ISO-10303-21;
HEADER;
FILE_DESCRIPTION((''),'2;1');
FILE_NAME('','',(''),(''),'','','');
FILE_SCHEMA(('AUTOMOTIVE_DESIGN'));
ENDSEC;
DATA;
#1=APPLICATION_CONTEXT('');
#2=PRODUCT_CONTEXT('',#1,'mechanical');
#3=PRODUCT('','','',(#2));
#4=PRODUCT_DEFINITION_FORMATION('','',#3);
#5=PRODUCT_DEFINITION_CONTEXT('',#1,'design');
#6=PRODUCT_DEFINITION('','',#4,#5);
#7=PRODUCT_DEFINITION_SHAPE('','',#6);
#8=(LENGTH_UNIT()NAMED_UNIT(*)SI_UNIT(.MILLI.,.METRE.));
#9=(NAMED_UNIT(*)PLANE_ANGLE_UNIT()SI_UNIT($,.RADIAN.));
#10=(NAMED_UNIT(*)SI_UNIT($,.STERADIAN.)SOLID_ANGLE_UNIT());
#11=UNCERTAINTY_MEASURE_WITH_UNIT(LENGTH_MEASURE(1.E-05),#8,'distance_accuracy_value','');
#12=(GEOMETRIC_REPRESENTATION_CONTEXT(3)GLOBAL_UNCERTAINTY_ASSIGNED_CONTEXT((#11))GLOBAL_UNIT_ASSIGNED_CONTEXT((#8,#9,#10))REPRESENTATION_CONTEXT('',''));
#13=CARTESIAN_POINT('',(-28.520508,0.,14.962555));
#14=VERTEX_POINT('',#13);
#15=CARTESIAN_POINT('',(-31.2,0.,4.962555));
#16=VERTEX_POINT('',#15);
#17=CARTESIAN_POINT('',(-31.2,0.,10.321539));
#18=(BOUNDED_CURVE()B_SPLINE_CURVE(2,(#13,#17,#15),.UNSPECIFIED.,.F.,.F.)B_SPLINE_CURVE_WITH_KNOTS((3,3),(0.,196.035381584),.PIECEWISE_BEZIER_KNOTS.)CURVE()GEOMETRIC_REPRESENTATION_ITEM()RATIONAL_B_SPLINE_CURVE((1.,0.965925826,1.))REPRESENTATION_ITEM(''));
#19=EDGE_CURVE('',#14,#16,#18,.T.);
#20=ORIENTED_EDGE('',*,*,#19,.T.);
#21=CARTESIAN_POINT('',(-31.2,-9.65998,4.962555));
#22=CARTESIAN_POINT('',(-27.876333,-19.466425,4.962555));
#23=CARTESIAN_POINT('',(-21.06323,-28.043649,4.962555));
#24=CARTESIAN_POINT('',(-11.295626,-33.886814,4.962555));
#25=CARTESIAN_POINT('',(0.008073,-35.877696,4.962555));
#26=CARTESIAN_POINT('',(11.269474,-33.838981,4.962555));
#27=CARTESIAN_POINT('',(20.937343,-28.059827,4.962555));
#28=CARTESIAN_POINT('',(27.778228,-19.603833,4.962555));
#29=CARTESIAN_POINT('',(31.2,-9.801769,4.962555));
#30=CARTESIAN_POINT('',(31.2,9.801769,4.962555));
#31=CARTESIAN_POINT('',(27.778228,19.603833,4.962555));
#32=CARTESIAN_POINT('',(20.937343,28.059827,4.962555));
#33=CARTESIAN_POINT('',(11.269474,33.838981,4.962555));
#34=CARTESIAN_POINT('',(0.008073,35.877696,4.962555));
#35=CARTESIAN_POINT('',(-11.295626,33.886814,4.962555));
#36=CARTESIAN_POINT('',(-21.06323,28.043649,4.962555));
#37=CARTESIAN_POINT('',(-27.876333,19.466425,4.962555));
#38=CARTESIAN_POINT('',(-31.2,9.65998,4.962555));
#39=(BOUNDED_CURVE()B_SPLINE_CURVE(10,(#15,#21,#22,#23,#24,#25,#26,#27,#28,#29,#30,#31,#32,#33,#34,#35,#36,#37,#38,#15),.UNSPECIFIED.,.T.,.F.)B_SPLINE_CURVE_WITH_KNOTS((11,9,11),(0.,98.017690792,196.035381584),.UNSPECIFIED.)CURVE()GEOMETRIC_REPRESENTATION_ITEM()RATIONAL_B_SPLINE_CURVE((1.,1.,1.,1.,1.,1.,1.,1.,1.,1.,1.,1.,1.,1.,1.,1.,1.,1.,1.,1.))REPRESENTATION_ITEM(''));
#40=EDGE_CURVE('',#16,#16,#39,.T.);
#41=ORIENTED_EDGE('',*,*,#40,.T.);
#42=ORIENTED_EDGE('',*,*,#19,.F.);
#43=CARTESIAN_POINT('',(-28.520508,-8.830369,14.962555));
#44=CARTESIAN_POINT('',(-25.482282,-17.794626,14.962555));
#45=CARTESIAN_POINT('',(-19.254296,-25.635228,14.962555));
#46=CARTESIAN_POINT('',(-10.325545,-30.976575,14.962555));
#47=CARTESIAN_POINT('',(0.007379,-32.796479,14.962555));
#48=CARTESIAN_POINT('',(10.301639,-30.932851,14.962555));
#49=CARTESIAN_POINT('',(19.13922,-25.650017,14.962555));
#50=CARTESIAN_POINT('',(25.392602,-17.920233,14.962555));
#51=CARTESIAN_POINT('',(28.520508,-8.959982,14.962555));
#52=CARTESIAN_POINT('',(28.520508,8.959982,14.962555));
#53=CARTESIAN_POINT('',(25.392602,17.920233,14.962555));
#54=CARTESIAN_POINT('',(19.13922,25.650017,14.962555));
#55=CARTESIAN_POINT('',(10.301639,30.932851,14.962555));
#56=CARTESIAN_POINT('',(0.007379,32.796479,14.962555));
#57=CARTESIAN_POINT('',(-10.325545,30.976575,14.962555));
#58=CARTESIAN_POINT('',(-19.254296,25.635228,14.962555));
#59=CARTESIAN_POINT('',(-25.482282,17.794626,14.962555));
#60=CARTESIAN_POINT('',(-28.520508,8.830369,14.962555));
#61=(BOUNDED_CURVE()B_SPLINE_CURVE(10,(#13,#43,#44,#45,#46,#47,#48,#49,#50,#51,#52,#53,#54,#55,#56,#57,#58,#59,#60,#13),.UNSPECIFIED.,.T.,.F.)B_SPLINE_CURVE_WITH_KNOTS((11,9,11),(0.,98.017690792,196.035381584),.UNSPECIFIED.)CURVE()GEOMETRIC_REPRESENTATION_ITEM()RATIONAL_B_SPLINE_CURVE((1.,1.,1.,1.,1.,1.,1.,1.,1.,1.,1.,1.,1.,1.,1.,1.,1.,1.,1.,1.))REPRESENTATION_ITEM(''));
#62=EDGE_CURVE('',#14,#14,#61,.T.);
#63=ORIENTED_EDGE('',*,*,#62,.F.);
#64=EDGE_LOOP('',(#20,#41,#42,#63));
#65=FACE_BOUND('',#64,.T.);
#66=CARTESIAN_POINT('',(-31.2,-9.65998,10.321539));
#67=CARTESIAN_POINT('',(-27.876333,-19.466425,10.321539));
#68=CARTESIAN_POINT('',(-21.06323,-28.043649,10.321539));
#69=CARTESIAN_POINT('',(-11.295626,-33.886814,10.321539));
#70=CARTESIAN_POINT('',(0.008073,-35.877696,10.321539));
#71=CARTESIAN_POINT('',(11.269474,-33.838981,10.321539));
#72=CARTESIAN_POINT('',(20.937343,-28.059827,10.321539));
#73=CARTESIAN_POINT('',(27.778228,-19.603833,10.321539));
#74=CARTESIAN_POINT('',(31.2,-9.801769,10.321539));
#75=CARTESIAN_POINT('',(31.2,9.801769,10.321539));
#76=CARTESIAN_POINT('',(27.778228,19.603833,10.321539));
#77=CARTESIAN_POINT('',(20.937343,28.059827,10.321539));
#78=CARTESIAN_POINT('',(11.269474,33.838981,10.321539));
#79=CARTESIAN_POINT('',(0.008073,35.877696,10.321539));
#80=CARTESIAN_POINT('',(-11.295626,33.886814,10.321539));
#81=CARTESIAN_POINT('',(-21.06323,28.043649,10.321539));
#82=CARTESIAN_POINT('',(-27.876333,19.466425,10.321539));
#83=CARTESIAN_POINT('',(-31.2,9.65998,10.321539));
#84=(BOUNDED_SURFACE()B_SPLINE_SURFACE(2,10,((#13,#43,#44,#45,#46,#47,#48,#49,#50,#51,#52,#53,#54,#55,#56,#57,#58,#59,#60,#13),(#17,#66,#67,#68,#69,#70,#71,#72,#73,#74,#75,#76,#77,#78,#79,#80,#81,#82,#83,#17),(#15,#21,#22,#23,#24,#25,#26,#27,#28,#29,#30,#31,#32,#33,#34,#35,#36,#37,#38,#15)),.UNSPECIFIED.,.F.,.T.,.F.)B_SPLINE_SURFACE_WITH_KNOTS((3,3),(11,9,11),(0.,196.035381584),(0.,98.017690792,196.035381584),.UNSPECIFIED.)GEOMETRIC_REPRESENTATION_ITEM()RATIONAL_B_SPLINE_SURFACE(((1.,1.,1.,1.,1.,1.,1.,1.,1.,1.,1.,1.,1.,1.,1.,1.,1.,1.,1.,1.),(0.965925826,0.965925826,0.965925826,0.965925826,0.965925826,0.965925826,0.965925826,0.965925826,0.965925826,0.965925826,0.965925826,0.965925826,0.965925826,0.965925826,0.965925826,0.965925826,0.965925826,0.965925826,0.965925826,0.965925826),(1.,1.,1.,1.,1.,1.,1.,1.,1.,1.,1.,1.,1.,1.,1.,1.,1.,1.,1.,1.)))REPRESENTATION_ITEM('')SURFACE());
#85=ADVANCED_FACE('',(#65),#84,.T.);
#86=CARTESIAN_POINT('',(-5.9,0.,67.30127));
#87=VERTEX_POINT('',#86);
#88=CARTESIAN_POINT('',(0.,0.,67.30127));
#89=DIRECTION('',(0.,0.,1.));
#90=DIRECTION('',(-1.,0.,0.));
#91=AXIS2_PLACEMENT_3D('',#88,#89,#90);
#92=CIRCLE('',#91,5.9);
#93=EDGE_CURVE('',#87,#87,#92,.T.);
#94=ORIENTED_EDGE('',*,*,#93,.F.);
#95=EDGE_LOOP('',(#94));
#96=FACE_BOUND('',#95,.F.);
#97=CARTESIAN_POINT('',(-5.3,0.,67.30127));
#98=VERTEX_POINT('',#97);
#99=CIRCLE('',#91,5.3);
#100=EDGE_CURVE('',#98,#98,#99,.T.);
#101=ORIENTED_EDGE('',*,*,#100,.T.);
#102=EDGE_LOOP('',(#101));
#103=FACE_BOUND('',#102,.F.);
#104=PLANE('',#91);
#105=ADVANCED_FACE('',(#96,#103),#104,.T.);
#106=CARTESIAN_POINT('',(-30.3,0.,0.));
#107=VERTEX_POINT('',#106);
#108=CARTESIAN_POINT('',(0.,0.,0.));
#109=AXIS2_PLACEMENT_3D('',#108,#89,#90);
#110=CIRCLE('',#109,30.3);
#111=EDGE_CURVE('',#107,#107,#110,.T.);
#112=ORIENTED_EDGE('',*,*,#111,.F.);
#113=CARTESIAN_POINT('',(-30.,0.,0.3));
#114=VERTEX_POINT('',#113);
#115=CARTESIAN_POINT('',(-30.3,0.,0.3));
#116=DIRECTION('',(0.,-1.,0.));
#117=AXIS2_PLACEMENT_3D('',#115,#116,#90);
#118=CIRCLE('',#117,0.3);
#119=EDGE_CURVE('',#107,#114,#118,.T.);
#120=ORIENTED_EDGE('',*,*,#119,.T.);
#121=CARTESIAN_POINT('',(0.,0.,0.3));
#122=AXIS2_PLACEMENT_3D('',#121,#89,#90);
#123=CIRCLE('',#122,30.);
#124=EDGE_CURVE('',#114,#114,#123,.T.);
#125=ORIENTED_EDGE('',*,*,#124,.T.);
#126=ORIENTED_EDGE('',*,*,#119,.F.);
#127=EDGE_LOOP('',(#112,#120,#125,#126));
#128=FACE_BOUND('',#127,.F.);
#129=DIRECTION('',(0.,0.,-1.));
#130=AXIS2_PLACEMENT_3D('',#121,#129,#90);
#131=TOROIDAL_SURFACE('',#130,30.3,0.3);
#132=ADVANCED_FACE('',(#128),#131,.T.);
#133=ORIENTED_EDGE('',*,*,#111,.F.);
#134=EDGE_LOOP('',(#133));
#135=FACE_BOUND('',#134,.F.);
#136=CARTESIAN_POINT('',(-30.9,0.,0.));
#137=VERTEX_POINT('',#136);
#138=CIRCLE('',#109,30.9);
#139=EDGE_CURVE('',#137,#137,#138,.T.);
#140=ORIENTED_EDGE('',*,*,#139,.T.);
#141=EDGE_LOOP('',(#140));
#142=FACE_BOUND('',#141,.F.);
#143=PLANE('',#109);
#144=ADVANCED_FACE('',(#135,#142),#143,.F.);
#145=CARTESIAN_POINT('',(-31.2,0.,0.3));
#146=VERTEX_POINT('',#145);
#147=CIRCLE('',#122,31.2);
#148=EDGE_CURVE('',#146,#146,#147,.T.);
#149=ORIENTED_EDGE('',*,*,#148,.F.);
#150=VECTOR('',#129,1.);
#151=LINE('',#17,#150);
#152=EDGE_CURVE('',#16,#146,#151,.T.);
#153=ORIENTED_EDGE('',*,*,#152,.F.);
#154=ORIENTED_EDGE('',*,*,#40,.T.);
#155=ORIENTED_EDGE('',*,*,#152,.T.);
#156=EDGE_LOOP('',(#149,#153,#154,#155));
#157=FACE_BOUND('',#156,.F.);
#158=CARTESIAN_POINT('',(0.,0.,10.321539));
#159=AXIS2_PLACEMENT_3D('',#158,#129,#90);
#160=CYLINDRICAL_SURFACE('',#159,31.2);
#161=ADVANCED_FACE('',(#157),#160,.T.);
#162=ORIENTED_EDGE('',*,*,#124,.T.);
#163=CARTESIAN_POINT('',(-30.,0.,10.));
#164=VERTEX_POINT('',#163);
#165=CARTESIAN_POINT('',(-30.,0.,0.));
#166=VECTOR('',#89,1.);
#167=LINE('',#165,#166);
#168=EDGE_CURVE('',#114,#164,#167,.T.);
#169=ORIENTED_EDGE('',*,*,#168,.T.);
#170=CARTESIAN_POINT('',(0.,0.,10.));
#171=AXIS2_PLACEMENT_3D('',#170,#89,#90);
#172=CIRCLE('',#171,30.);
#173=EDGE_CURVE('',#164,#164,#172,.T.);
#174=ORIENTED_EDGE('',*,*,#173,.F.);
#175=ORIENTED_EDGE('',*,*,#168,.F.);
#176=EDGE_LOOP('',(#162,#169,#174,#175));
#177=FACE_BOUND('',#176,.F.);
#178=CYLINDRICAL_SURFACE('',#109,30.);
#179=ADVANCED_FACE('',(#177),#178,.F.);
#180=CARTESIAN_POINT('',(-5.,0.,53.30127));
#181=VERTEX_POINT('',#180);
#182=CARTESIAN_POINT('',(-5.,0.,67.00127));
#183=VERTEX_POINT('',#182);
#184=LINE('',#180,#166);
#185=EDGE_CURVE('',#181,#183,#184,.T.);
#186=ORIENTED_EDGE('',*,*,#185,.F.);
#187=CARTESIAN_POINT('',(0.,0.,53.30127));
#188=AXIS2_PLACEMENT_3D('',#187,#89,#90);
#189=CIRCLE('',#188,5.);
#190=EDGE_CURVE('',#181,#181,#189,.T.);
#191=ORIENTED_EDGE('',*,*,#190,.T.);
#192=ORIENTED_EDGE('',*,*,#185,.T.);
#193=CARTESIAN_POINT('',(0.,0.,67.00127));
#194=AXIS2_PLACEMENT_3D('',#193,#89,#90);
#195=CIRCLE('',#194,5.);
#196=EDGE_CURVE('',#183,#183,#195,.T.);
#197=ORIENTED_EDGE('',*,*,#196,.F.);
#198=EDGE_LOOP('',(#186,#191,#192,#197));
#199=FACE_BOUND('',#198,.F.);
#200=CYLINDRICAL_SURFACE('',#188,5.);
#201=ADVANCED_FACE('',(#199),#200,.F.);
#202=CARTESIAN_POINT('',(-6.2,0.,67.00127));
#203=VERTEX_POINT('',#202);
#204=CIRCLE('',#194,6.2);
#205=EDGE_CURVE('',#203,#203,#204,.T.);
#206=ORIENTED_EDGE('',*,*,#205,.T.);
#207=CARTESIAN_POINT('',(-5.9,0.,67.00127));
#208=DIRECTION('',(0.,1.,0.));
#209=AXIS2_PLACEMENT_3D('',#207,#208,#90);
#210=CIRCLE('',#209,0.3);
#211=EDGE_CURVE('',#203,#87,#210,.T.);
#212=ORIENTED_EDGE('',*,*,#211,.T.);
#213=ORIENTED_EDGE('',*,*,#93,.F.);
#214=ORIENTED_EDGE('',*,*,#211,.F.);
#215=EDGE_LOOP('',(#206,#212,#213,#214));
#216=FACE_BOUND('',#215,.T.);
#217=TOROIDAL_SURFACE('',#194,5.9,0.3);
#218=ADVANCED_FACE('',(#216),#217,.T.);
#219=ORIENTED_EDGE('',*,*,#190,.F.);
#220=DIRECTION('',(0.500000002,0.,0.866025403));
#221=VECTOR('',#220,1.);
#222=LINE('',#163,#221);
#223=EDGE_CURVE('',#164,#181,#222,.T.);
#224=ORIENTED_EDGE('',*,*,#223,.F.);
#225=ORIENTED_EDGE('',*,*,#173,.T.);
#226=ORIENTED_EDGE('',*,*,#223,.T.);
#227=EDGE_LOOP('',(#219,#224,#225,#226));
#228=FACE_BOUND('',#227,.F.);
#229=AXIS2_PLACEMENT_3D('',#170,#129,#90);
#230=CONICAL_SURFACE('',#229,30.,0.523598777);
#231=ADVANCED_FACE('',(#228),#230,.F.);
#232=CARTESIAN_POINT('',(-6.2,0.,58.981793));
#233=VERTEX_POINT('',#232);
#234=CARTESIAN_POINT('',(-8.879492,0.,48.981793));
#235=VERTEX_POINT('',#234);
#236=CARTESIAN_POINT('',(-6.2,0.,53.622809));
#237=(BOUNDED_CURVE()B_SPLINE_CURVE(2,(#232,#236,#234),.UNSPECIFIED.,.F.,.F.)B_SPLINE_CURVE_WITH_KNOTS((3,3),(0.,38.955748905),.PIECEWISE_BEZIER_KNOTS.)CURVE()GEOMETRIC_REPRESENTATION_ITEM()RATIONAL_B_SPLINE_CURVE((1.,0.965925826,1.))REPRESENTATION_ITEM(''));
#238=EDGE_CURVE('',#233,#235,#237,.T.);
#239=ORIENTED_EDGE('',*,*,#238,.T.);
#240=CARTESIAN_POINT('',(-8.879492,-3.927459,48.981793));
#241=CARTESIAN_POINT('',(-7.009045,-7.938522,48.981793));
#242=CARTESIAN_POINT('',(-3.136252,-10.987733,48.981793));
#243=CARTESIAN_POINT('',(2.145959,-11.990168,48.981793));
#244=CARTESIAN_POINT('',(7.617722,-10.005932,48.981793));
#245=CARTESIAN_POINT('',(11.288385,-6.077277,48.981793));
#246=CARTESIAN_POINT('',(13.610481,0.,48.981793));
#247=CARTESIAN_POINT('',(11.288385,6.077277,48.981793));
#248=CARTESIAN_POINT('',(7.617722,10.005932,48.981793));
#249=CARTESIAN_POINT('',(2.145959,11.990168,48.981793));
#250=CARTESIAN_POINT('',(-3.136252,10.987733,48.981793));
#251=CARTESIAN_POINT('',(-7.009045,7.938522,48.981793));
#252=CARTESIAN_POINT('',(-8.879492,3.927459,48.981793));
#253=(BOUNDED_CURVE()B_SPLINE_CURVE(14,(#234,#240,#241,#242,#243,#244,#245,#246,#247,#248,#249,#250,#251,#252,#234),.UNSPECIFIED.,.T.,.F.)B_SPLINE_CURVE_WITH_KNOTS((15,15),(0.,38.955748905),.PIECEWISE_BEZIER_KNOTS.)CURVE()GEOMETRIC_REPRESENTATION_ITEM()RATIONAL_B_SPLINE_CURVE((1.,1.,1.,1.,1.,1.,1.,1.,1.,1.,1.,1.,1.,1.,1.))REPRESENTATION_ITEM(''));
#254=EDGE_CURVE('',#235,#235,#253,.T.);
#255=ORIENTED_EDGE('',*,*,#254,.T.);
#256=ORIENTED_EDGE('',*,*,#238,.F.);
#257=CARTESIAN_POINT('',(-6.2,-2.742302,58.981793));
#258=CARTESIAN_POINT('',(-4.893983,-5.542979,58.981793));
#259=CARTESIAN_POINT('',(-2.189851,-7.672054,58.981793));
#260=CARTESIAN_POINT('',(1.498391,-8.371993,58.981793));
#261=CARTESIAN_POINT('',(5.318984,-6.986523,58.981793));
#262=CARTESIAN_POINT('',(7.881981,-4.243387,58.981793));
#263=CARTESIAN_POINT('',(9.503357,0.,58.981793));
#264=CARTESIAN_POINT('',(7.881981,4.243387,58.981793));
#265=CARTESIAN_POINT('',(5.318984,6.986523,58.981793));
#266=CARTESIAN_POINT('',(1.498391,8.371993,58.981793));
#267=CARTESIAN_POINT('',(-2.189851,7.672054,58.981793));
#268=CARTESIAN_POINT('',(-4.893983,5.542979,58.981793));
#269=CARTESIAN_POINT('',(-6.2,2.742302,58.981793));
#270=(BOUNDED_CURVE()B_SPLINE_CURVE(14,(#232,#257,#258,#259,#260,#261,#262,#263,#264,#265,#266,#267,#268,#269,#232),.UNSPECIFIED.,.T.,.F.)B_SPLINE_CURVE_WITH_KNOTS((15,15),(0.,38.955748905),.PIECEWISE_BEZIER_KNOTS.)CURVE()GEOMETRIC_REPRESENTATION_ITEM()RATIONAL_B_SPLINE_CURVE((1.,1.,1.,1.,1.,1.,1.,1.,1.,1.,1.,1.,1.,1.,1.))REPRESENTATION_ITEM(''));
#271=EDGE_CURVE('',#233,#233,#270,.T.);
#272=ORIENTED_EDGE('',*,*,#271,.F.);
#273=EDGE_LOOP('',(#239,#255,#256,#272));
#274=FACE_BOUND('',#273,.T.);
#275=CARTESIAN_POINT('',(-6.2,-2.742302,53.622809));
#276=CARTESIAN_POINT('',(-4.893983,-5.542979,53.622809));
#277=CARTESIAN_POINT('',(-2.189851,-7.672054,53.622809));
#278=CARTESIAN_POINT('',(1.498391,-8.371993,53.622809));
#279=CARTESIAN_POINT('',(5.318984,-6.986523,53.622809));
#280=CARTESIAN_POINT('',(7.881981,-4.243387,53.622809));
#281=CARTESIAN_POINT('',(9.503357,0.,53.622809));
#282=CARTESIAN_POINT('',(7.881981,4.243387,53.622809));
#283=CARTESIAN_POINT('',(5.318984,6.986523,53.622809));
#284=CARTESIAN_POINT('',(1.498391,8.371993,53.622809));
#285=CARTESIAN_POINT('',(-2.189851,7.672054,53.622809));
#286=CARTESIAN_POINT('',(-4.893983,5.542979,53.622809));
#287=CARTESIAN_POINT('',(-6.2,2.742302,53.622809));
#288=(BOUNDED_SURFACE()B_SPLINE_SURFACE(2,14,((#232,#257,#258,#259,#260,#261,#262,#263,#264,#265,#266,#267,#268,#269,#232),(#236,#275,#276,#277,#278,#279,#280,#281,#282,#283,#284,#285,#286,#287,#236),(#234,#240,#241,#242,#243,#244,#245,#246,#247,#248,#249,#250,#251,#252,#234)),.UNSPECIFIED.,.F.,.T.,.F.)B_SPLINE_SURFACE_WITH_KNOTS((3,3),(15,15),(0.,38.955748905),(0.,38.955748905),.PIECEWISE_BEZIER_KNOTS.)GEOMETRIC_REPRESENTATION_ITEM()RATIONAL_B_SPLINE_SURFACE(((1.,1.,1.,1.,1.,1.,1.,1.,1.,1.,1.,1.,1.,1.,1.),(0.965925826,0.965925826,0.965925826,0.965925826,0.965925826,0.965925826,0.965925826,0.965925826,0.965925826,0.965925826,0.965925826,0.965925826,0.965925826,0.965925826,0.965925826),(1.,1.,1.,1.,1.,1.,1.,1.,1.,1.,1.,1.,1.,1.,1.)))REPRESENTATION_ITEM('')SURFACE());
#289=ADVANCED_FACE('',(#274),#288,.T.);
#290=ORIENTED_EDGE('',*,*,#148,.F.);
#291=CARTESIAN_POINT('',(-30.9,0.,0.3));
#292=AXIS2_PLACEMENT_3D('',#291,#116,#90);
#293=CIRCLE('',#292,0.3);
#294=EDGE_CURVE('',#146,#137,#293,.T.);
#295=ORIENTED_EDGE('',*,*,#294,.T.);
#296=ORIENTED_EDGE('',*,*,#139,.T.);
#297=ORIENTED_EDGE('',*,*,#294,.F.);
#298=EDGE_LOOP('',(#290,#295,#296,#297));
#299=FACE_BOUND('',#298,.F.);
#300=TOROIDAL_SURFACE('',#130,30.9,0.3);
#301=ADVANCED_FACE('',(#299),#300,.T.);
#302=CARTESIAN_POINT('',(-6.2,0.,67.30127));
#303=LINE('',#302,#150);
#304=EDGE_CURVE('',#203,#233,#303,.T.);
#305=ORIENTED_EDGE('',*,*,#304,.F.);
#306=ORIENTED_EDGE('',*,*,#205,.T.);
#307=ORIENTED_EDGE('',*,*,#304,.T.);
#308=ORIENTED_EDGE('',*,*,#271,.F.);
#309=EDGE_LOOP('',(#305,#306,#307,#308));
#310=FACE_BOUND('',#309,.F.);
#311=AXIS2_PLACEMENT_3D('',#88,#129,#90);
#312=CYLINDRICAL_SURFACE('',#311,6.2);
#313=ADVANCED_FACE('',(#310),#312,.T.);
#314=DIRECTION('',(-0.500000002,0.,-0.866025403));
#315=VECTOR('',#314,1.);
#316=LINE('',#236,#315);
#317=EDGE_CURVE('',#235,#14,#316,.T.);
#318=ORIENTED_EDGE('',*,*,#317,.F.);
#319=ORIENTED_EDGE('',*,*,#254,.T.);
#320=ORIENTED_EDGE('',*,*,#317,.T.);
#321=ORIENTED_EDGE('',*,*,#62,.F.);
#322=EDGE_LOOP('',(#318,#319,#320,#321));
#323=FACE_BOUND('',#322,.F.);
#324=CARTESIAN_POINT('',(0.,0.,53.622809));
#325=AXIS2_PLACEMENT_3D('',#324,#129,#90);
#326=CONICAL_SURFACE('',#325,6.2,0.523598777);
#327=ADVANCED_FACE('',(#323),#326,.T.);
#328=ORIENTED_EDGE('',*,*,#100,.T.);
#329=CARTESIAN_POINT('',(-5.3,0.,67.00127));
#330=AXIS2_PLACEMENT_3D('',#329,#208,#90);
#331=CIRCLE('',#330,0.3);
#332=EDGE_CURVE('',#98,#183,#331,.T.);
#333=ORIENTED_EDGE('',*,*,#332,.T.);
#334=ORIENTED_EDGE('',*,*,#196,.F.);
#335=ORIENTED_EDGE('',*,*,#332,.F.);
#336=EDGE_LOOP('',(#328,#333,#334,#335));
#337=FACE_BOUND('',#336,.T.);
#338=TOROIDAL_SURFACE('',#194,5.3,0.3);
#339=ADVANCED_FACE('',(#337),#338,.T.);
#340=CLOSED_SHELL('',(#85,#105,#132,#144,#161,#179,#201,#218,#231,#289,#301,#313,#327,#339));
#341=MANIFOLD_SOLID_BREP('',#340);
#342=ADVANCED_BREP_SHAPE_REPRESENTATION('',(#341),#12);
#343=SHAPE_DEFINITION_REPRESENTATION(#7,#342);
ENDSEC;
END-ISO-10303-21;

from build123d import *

# Parameters (mm, degrees)
F2_R = 20
F3_R = 0.3
F4_R = 0.3


with BuildPart() as f1:
    # F0 (on Front) → F1 (revolve)
    with BuildSketch(Plane.XZ):
        Polygon((-31.2, 0), (-30, 0), (-30, 10), (-5, 53.30127), (-5, 67.30127), (-6.2, 67.30127), (-6.2, 53.622809), (-31.2, 10.321539), align=None)
    revolve(axis=Axis((0, 0, 8.207551), (0, 0, 1)))

    # F2
    f2_edges = [f1.edges().sort_by_distance(p)[0] for p in [
        (31.2, 0, 10.321539),
        (6.2, 0, 53.622809),
    ]]
    fillet(f2_edges, radius=F2_R)

    # F3
    f3_edges = [f1.edges().sort_by_distance(p)[0] for p in [
        (5, 0, 67.30127),
        (6.2, 0, 67.30127),
    ]]
    fillet(f3_edges, radius=F3_R)

    # F4
    f4_edges = [f1.edges().sort_by_distance(p)[0] for p in [
        (31.2, 0, 0),
        (30, 0, 0),
    ]]
    fillet(f4_edges, radius=F4_R)


solid = f1.part
